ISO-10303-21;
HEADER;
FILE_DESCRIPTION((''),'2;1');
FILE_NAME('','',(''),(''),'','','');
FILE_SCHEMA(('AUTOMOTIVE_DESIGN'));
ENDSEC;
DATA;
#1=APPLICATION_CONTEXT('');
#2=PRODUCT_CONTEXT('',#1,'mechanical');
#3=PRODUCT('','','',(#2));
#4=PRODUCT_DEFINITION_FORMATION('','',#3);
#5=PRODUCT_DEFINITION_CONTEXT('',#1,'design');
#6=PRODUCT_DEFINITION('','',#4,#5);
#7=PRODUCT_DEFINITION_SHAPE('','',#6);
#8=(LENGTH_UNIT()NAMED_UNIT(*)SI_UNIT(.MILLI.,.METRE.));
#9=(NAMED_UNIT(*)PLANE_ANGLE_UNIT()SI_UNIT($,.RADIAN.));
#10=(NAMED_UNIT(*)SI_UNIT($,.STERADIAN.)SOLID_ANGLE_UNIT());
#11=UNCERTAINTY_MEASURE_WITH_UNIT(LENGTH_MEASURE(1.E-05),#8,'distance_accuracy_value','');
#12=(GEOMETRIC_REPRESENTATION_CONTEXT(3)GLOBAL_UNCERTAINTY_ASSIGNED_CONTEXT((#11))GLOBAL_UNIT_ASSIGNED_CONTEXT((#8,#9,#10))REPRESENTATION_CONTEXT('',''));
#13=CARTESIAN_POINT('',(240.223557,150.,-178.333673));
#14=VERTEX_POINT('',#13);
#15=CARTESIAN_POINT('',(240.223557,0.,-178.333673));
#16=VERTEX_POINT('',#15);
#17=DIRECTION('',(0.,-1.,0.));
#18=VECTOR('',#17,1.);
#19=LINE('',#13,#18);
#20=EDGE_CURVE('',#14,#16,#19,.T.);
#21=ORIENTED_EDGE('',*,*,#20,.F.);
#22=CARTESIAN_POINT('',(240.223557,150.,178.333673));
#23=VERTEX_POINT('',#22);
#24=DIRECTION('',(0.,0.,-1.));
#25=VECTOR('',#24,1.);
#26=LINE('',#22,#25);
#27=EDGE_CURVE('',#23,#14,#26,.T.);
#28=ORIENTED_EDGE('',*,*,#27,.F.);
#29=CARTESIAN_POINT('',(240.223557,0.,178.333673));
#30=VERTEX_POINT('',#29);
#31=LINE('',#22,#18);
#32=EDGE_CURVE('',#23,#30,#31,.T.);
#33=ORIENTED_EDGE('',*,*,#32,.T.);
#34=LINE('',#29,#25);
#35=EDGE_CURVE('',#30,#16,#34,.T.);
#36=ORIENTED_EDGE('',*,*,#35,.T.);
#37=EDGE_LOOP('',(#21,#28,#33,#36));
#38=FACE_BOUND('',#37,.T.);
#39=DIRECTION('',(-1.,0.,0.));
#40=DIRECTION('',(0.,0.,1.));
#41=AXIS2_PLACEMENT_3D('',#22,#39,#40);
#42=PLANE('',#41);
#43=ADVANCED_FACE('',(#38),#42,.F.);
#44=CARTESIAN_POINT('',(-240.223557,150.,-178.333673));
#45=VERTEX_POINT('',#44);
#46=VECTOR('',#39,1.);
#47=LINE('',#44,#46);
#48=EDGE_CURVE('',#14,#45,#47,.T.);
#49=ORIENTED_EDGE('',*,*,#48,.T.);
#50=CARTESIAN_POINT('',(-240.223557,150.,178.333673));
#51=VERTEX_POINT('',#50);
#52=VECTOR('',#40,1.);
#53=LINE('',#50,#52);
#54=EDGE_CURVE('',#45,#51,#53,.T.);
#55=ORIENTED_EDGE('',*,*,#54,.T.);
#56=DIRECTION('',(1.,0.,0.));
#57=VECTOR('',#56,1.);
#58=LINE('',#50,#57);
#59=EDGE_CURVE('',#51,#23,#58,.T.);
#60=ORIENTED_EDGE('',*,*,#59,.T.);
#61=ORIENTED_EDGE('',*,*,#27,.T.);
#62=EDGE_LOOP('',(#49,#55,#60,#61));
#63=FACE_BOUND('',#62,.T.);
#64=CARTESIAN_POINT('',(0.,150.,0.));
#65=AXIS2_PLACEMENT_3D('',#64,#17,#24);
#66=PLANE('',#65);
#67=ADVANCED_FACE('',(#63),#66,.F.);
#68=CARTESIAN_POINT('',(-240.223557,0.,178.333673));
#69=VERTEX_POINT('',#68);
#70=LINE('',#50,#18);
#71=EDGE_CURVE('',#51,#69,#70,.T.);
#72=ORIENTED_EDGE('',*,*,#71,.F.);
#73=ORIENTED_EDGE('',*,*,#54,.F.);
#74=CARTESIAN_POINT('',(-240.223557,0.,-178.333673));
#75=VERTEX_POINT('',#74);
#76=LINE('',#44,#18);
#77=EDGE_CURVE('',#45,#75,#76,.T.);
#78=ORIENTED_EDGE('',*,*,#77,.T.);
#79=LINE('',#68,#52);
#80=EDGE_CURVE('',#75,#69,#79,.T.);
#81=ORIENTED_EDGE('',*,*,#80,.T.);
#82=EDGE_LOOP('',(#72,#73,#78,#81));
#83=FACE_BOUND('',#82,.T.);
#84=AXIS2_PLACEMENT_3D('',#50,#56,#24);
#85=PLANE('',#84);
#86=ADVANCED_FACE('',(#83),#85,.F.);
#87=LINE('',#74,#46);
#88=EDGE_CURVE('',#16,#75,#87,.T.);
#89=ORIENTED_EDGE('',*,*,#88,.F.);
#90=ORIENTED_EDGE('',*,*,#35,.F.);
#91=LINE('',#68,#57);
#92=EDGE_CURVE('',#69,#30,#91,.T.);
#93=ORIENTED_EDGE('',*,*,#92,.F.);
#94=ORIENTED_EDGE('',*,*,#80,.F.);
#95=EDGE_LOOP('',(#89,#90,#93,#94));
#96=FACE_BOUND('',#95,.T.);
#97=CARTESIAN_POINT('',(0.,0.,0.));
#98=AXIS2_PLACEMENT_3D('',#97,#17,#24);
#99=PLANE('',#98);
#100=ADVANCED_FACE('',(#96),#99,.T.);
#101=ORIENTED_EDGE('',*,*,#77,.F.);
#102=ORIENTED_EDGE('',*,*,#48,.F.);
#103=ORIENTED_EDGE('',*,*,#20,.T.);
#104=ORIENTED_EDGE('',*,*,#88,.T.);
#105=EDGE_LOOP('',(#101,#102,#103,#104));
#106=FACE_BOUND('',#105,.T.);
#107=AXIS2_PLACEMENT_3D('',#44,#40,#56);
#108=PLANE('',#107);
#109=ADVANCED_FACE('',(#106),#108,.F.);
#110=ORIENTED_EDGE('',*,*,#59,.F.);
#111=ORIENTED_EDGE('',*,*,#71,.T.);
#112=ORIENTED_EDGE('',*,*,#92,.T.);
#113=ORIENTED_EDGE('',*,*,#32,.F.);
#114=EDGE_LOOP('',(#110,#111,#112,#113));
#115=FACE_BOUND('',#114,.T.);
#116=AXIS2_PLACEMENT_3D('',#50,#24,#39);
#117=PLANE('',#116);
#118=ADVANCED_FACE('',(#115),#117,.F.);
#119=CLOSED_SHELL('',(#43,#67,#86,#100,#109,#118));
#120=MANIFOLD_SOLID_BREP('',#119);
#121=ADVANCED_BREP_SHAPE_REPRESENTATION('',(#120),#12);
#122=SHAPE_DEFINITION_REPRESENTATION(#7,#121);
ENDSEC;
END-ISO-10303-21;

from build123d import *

# Parameters (mm, degrees)
CROQUIS1_W              = 480.447113354
CROQUIS1_H              = 356.667346828
SALIENTE_EXTRUIR1_DEPTH = 150


with BuildPart() as part:
    # Croquis1 → Saliente-Extruir1 (new body)
    with BuildSketch(Plane(origin=(0, 0, 0), x_dir=(1, 0, 0), z_dir=(0, 1, 0))):
        Rectangle(CROQUIS1_W, CROQUIS1_H)
    extrude(amount=SALIENTE_EXTRUIR1_DEPTH)


solid = part.part
